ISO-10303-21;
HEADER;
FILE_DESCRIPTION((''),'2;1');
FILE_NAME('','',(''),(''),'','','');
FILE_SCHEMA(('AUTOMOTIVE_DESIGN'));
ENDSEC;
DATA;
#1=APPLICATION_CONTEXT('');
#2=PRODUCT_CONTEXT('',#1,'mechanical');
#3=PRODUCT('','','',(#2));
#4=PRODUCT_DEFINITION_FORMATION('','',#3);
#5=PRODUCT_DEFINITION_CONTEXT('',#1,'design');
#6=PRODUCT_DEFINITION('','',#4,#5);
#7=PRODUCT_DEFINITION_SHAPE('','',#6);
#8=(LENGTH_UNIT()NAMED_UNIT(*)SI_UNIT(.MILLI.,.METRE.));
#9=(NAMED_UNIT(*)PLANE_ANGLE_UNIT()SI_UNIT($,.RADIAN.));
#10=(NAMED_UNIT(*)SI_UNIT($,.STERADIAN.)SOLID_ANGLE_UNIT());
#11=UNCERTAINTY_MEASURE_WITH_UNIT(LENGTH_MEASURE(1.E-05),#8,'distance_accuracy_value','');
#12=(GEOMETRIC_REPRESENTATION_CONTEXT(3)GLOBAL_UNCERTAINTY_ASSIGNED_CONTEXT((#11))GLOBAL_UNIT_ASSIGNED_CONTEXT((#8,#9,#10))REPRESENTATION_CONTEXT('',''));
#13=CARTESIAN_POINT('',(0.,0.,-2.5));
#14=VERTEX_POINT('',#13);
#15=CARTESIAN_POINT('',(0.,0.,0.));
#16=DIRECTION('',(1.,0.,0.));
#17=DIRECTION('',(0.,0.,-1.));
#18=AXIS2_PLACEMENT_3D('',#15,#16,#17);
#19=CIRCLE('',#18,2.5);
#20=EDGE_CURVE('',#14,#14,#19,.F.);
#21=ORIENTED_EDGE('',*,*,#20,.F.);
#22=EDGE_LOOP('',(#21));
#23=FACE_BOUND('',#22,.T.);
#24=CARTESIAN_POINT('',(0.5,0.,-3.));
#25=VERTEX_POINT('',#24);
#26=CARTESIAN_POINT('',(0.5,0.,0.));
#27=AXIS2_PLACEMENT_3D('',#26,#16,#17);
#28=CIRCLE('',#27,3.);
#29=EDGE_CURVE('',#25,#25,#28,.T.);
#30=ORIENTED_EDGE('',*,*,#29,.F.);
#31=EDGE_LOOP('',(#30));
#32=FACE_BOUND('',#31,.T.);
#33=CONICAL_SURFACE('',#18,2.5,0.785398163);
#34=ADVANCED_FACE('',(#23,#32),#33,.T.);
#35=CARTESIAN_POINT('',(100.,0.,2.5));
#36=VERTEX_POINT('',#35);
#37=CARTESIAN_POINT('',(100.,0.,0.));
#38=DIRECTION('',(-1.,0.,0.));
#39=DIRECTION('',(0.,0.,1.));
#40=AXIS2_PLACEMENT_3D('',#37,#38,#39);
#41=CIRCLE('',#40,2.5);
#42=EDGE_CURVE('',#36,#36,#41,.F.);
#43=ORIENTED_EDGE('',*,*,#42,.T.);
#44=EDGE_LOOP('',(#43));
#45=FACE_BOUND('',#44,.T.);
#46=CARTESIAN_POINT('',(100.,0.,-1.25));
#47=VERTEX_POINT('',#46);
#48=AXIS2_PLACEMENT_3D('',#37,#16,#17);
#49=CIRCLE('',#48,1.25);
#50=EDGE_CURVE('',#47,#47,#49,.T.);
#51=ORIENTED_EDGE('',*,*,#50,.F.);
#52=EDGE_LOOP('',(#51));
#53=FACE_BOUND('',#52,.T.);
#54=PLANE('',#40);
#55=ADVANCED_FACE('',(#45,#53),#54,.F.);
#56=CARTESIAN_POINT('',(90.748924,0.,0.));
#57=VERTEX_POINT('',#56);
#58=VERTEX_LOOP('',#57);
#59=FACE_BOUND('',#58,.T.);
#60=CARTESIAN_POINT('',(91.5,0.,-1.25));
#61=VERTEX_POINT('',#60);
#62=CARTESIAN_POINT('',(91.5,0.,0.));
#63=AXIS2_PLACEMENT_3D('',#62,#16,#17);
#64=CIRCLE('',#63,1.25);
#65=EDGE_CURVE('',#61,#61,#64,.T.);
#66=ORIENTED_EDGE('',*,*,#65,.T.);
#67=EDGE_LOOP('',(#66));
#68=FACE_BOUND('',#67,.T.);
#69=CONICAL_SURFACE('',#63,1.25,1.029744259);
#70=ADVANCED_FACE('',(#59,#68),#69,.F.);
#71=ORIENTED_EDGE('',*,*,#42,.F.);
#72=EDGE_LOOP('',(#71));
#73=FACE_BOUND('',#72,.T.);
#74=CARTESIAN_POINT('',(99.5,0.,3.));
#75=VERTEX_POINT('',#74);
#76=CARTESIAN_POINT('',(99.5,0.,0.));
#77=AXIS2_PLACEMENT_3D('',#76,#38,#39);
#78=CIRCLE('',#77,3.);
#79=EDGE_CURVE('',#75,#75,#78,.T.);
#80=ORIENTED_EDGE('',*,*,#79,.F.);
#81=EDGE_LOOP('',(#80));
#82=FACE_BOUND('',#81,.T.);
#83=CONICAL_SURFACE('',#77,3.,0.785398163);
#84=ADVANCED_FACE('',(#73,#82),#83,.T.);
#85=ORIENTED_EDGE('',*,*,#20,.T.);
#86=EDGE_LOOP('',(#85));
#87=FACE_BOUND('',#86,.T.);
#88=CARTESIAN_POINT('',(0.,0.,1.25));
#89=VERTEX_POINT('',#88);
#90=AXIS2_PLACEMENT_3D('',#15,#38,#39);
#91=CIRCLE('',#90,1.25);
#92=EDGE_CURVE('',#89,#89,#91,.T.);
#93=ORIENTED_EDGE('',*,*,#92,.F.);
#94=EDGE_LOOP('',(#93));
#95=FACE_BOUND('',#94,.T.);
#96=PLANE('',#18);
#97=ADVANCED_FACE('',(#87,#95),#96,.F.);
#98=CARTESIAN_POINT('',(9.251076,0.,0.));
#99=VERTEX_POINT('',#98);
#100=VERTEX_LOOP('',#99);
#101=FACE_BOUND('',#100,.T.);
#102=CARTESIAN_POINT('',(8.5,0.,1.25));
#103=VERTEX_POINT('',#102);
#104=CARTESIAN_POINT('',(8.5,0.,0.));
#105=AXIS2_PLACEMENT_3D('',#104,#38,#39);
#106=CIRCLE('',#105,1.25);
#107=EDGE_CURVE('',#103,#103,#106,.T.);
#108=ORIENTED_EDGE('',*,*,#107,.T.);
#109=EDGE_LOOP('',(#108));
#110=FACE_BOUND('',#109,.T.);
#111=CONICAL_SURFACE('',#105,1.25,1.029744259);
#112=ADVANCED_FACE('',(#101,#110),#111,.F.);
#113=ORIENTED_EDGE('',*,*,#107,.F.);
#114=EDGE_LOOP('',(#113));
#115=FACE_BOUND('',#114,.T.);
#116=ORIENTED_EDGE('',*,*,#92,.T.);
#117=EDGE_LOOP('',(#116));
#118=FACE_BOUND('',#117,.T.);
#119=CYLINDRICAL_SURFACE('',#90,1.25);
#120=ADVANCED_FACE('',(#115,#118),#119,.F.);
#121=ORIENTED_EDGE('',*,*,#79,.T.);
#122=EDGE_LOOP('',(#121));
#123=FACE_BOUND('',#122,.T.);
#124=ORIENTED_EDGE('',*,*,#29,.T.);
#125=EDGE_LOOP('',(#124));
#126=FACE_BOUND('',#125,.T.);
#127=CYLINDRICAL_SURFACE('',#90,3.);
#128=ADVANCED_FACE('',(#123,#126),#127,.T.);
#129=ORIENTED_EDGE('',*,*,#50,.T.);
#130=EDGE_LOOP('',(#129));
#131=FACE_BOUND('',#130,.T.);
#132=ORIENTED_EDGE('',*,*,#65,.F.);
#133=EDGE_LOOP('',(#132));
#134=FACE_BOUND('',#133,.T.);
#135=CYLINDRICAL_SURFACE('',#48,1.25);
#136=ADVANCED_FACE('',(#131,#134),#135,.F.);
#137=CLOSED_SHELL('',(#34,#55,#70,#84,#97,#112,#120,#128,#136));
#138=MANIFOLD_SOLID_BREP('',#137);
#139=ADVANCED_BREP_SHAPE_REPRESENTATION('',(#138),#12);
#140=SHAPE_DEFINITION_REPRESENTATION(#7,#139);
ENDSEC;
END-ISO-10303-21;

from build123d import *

# Parameters (mm, degrees)
SKETCH1_W          = 100
SKETCH1_H          = 3
TAPPED_HOLE1_D     = 2.5
TAPPED_HOLE1_DEPTH = 8.5
TAPPED_HOLE1_TIP   = 0.751075774
TAPPED_HOLE2_D     = 2.5
TAPPED_HOLE2_DEPTH = 8.5
TAPPED_HOLE2_TIP   = 0.751075774
CHAMFER1_SIZE      = 0.5


with BuildPart() as part:
    # Sketch1 → Revolve1 (revolve)
    with BuildSketch(Plane.XY):
        with Locations((50, 1.5)):
            Rectangle(SKETCH1_W, SKETCH1_H)
    revolve(axis=Axis((0, 0, 0), (1, 0, 0)))

    # Tapped Hole1
    with Locations(Plane.ZY):
        with Locations((0, 0)):
            Hole(TAPPED_HOLE1_D / 2, depth=TAPPED_HOLE1_DEPTH)
            with Locations((0, 0, -(TAPPED_HOLE1_DEPTH + TAPPED_HOLE1_TIP / 2))):  # 118° drill point
                Cone(0, TAPPED_HOLE1_D / 2, TAPPED_HOLE1_TIP, mode=Mode.SUBTRACT)

    # Tapped Hole2
    with Locations(Plane(origin=(100, 0, 0), x_dir=(0, 0, -1), z_dir=(1, 0, 0))):
        with Locations((0, 0)):
            Hole(TAPPED_HOLE2_D / 2, depth=TAPPED_HOLE2_DEPTH)
            with Locations((0, 0, -(TAPPED_HOLE2_DEPTH + TAPPED_HOLE2_TIP / 2))):  # 118° drill point
                Cone(0, TAPPED_HOLE2_D / 2, TAPPED_HOLE2_TIP, mode=Mode.SUBTRACT)

    # Chamfer1
    chamfer1_edges = [part.edges().sort_by_distance(p)[0] for p in [
        (0, -3, 0),
        (100, -3, 0),
    ]]
    chamfer(chamfer1_edges, length=CHAMFER1_SIZE)


solid = part.part
